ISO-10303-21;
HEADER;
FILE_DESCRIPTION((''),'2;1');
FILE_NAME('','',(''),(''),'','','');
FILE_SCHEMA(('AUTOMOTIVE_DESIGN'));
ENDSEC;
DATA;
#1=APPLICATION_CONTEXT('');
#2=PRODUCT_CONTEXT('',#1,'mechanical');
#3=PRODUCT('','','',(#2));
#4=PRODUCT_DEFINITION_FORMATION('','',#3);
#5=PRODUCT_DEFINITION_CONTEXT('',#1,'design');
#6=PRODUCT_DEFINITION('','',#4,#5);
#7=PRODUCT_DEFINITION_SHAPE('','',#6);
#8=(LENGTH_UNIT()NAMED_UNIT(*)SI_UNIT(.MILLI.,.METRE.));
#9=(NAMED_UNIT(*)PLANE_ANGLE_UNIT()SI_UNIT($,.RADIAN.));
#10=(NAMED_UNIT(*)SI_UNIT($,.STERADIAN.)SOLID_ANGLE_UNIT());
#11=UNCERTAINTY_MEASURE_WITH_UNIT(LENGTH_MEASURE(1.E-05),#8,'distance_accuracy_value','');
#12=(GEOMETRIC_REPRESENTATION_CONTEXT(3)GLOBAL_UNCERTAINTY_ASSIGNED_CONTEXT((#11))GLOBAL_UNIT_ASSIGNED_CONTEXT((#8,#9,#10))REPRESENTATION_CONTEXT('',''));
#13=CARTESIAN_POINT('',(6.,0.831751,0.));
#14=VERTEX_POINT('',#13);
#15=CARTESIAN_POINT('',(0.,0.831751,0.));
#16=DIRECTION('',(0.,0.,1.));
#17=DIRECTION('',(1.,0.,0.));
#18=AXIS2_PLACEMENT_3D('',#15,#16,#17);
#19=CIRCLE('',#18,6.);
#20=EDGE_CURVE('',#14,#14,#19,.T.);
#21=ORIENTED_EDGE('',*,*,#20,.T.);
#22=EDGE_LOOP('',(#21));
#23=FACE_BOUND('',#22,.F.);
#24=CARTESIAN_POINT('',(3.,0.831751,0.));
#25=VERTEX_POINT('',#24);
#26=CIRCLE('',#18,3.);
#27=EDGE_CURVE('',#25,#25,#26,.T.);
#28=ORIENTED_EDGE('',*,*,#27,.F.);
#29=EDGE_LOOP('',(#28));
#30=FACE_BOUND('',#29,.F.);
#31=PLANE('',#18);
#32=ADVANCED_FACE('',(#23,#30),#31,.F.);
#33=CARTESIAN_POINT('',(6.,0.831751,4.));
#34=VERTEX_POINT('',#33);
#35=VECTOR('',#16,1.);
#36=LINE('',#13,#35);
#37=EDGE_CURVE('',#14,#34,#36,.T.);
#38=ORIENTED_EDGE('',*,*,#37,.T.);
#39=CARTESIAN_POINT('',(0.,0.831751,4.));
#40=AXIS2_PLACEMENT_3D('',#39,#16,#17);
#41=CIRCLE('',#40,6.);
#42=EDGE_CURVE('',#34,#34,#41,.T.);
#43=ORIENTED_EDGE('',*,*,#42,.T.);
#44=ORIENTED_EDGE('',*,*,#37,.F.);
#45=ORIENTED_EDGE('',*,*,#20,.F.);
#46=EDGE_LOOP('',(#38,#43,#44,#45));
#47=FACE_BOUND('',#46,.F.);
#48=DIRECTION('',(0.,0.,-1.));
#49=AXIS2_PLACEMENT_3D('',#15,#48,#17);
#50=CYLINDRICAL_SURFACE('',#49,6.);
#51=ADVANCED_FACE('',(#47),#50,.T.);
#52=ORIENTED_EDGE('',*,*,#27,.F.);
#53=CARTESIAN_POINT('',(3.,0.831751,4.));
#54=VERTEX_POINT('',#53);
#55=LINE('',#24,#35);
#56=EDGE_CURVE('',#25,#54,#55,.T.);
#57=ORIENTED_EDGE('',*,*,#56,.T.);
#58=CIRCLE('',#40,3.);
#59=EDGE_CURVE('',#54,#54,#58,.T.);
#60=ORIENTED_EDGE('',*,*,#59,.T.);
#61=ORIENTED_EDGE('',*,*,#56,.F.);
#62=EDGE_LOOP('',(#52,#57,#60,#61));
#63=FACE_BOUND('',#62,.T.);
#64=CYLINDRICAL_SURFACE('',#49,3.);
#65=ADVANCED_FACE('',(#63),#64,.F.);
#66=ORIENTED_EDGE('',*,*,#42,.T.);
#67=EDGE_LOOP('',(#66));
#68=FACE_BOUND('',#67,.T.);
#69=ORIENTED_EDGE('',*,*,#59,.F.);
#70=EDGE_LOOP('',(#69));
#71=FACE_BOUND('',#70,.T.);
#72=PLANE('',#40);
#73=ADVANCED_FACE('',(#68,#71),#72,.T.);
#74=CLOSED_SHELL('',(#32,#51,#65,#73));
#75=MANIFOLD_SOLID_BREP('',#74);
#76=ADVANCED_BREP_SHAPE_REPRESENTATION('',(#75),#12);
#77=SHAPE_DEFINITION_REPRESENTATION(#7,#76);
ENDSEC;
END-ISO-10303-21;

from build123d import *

# Parameters (mm, degrees)
SKETCH_1_R      = 6
SKETCH_1_R_2    = 3
EXTRUDE_1_DEPTH = 4


with BuildPart() as part:
    # 草图1 → 凸台-拉伸1 (new body)
    with BuildSketch(Plane.XY):
        with Locations((0, 0.831751318)):
            Circle(SKETCH_1_R)
        with Locations((0, 0.831751318)):
            Circle(SKETCH_1_R_2, mode=Mode.SUBTRACT)
    extrude(amount=EXTRUDE_1_DEPTH)


solid = part.part
